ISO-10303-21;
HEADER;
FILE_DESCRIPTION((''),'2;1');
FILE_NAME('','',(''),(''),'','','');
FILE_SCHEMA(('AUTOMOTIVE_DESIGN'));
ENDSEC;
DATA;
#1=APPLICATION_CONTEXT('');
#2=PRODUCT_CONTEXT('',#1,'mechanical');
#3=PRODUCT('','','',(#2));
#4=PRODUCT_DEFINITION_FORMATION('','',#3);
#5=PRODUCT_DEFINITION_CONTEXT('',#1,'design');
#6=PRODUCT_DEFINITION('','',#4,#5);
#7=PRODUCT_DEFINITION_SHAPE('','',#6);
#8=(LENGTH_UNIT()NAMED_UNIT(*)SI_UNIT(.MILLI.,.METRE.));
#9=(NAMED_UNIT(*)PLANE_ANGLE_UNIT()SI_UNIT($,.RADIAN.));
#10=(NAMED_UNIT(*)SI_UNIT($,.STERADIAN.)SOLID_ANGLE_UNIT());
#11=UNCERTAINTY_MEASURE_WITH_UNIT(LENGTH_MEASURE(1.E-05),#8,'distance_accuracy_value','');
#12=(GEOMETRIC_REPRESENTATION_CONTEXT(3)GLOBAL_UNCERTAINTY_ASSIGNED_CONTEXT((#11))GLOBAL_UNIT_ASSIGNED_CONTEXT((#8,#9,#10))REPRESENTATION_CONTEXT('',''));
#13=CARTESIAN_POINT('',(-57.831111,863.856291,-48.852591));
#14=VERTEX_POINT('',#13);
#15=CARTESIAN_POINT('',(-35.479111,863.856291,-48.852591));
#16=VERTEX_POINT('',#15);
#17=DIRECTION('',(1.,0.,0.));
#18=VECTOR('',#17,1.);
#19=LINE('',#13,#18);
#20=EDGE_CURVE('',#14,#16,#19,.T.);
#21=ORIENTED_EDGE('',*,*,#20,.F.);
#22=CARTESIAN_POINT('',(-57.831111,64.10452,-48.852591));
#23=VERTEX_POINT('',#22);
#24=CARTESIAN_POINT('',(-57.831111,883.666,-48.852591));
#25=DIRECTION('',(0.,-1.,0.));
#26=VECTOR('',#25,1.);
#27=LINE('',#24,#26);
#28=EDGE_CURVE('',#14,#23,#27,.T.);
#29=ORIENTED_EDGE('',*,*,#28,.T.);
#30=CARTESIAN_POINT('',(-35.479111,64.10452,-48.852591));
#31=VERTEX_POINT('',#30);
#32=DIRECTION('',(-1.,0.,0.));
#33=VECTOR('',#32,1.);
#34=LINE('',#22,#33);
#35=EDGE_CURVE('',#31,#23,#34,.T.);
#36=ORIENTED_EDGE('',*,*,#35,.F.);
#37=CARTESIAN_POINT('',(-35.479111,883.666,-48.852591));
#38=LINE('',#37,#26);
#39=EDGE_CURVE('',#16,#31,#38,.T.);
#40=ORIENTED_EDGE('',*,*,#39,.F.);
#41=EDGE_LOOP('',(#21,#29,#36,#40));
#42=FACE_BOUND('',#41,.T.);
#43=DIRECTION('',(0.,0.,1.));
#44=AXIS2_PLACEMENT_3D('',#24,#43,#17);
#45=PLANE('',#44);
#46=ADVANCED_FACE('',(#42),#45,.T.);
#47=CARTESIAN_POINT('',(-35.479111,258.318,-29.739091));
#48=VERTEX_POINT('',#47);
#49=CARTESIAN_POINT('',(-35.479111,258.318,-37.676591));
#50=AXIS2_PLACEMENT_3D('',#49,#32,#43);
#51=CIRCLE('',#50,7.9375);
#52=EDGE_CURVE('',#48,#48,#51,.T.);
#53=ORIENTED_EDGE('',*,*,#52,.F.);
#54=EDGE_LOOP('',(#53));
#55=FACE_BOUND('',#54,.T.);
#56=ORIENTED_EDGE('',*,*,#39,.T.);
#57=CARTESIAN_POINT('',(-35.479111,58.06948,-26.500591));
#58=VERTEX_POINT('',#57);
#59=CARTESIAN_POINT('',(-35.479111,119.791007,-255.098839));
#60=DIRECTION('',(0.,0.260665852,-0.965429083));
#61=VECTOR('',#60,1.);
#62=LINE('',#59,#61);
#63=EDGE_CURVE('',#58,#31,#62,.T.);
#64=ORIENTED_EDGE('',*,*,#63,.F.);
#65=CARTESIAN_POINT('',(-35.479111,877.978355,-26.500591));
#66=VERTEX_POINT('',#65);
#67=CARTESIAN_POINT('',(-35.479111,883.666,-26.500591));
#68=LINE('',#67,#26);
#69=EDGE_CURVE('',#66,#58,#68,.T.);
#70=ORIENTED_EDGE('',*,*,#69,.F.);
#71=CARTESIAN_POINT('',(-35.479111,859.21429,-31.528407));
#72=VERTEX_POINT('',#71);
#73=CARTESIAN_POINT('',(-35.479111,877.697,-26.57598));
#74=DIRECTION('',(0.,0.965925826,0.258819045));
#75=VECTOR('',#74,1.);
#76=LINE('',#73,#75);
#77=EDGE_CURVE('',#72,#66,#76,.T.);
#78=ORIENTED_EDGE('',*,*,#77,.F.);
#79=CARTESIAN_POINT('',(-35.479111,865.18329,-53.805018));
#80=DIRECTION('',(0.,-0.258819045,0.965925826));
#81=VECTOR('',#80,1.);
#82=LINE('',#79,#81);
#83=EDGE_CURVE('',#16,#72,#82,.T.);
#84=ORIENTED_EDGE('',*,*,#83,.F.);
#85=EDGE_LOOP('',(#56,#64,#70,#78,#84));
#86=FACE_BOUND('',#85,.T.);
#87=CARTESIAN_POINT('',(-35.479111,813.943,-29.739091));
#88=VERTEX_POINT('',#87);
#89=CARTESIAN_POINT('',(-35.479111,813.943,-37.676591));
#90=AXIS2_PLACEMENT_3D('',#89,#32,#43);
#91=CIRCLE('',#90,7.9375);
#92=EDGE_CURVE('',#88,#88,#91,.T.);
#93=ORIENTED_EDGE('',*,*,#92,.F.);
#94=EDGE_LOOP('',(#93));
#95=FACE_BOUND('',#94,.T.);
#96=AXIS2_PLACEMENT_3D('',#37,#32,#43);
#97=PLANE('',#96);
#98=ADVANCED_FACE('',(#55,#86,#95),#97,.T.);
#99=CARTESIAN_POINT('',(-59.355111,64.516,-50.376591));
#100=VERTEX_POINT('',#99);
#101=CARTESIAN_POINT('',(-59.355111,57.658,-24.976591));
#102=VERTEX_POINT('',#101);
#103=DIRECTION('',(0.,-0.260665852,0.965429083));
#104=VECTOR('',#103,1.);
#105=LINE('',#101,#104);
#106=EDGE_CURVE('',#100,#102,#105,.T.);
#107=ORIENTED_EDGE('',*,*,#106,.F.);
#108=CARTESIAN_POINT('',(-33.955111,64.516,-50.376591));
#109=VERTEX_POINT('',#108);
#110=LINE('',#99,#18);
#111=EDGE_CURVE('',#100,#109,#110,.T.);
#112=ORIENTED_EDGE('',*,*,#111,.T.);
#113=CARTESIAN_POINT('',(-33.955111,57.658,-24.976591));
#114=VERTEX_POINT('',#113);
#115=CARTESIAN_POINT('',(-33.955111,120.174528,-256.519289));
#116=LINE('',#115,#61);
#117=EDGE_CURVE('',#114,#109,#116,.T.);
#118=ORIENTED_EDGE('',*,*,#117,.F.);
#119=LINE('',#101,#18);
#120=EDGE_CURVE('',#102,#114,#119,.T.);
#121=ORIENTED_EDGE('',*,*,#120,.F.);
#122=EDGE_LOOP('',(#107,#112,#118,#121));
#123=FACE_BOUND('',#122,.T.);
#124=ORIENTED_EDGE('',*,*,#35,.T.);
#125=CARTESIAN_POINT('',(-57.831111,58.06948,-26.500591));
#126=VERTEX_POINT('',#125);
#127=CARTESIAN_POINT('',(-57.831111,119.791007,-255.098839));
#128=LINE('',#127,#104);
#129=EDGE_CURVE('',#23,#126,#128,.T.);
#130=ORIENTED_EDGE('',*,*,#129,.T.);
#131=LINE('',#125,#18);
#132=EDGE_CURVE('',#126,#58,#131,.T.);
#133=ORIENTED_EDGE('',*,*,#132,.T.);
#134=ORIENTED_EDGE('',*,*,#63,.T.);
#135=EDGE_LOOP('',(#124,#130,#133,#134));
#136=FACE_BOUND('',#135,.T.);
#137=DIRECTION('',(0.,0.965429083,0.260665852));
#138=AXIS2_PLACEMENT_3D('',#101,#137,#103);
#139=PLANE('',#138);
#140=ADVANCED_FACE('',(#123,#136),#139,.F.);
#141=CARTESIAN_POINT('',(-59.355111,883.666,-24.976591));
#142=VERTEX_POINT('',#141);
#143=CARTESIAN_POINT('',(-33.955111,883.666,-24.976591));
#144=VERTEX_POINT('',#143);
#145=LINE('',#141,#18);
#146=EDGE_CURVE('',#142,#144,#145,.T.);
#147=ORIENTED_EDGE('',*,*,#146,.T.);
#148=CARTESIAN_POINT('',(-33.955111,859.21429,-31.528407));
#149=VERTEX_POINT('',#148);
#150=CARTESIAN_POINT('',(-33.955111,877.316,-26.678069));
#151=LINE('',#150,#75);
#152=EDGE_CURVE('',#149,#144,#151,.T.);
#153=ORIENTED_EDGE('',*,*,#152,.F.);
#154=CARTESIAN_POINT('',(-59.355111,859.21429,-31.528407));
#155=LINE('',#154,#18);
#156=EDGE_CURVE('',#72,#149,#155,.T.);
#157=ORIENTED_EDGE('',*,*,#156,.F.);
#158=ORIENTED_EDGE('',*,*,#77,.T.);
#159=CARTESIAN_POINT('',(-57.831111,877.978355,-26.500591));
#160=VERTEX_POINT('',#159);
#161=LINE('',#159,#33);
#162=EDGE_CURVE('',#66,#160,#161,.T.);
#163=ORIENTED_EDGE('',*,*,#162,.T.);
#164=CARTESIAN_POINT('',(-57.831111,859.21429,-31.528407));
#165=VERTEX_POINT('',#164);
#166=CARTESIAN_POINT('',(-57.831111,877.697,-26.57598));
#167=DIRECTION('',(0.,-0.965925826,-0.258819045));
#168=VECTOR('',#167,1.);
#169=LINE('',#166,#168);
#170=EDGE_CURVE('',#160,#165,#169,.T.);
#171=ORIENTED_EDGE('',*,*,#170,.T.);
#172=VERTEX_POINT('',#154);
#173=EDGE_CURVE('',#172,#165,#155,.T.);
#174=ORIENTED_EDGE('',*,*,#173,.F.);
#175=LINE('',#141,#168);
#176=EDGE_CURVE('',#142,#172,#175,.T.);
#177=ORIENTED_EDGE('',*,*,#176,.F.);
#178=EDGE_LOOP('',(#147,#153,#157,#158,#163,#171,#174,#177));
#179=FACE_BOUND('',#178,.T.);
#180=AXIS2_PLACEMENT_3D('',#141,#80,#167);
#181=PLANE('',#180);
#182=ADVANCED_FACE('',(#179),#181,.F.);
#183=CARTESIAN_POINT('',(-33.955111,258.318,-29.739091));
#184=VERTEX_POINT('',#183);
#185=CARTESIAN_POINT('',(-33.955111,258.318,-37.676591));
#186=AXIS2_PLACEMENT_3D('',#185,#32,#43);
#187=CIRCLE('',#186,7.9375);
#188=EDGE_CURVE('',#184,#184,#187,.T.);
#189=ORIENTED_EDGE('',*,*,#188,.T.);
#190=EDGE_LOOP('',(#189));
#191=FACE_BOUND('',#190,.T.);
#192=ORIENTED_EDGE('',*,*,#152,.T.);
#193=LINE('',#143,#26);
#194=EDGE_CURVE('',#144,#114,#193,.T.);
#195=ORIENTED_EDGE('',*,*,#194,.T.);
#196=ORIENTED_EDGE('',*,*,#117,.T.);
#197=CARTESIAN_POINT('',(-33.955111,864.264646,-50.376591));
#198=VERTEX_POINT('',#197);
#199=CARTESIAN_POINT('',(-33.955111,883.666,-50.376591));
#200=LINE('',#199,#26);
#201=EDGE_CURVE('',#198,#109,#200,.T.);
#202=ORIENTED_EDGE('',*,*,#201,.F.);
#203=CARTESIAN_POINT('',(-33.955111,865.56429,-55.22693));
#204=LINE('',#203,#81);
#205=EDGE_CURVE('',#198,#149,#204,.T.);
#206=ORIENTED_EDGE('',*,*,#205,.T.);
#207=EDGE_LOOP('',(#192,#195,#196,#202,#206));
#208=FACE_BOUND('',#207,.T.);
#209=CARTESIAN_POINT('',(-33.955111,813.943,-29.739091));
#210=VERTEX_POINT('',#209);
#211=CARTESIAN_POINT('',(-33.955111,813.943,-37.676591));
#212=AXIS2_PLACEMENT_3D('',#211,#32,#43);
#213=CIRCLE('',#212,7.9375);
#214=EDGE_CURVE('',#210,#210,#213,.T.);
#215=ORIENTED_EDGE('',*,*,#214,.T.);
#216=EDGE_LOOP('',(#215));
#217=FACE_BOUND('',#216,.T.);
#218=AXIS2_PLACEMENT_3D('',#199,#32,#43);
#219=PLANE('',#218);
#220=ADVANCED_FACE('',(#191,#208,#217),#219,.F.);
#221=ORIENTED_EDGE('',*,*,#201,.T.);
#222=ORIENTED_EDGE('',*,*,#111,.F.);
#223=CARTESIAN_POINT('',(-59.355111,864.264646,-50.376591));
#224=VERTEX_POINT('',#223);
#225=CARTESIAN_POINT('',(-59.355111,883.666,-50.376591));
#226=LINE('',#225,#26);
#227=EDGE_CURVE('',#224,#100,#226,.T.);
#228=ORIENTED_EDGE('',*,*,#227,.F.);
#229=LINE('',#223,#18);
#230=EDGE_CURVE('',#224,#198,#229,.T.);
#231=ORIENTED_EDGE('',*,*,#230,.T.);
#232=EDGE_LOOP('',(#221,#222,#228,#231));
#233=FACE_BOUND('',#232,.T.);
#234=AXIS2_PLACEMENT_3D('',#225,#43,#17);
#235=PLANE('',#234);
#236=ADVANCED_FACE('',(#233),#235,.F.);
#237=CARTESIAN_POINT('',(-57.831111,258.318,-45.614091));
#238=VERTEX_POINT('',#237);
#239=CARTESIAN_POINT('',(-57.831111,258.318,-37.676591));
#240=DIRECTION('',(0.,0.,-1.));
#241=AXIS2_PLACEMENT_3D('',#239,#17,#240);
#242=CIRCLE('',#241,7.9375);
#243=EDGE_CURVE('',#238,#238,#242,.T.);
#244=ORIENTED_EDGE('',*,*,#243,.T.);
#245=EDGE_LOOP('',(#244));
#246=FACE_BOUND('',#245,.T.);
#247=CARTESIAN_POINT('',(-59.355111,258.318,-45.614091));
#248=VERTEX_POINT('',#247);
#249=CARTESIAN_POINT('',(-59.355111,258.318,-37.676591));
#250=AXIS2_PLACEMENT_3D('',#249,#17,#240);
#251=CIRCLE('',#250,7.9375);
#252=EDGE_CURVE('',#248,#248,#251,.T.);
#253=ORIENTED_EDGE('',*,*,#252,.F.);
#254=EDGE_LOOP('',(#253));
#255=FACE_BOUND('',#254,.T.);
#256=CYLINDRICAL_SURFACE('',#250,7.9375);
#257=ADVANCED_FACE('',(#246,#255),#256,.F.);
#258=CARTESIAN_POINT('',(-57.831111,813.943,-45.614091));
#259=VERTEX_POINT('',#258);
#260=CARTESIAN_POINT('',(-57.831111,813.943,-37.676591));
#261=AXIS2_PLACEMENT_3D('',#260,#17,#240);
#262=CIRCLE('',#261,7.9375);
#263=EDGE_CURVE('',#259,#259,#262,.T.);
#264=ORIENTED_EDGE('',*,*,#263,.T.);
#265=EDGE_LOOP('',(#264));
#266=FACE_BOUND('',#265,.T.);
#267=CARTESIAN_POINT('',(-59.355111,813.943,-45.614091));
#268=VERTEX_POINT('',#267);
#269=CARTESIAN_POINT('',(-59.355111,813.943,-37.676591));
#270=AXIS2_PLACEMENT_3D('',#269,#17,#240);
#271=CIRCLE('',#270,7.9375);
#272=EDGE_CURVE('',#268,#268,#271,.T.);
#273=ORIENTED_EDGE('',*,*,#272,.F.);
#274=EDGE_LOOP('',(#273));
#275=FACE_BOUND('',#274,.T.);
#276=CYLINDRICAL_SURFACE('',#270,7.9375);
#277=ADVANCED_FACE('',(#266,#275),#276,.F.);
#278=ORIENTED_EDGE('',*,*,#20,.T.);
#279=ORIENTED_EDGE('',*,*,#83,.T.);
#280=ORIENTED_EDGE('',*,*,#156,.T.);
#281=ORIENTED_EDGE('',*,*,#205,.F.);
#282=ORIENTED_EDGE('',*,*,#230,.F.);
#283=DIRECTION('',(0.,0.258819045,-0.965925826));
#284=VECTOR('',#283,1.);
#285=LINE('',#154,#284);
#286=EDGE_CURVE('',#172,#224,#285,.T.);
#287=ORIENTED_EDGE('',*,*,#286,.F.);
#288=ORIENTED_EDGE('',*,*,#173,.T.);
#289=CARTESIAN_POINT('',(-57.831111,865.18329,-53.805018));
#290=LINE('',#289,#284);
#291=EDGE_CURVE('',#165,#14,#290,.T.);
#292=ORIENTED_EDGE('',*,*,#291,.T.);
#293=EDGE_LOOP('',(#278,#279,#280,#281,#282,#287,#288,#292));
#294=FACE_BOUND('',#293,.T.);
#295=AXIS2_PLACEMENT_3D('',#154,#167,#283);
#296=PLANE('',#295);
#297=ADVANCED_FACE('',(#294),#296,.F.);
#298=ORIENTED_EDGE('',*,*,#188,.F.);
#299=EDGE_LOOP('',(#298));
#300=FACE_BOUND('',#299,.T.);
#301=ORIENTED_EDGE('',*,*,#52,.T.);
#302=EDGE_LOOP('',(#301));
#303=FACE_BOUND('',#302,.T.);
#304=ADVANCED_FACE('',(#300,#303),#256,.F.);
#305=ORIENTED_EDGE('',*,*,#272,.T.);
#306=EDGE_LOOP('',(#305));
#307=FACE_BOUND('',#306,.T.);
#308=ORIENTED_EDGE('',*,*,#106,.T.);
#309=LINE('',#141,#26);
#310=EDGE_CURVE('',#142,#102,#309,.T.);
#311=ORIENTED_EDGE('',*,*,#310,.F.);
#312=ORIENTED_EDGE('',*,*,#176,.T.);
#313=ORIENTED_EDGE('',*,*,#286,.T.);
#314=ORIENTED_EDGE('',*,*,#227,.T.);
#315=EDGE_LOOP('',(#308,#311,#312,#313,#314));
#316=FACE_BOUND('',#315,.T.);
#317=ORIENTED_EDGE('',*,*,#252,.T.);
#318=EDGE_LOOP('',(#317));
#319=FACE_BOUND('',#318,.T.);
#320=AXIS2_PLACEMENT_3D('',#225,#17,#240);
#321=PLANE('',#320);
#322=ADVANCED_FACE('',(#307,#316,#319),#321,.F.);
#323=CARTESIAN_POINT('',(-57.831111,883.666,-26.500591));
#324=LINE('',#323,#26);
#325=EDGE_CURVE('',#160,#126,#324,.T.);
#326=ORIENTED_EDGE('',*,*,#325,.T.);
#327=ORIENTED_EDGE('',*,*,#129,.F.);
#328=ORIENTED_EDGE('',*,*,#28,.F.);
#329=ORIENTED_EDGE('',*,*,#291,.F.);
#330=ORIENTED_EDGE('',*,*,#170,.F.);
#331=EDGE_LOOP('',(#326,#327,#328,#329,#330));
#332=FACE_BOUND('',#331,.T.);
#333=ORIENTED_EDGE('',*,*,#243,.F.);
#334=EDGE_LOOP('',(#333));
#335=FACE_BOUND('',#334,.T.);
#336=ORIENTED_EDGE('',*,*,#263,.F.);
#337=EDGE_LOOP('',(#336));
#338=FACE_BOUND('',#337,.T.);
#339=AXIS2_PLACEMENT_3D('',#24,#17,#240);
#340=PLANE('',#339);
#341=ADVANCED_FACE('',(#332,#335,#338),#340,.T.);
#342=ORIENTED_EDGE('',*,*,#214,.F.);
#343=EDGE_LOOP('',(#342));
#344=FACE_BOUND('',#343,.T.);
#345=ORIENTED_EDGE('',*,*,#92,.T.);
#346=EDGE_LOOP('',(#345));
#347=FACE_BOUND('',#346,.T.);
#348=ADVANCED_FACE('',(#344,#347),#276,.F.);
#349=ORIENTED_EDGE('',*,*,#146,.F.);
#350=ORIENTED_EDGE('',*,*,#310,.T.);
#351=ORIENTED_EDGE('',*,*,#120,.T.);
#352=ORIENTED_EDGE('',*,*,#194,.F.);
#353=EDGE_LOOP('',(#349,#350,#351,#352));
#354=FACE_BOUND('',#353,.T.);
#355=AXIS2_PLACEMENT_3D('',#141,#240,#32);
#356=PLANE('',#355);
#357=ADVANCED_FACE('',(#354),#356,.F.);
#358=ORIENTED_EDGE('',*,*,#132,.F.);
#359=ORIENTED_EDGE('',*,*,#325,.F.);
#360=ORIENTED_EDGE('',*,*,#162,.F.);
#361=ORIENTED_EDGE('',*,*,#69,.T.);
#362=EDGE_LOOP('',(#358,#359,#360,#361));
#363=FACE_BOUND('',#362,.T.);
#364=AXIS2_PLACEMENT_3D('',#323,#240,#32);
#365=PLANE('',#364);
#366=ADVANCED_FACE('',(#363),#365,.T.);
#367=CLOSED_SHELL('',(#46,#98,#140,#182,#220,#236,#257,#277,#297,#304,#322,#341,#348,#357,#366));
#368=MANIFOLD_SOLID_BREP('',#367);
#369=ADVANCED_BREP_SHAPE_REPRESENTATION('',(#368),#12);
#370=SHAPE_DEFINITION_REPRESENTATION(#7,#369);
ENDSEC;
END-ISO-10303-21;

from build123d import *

# Parameters (mm, degrees)
SKETCH1_W               = 25.4
SKETCH1_H               = 25.4
SKETCH1_W_2             = 22.352
SKETCH1_H_2             = 22.352
BOSS_EXTRUDE1_DEPTH     = 883.666
SKETCH5_R               = 7.9375
CUT_EXTRUDE3_DEPTH      = 1
CUT_EXTRUDE3_DEPTH_BACK = 26.4
SKETCH6_R               = 7.9375
CUT_EXTRUDE4_DEPTH      = 1
CUT_EXTRUDE4_DEPTH_BACK = 26.4
CUT_EXTRUDE5_DEPTH      = 1
CUT_EXTRUDE5_DEPTH_BACK = 26.4
CUT_EXTRUDE6_DEPTH      = 1
CUT_EXTRUDE6_DEPTH_BACK = 26.4


with BuildPart() as part:
    # Sketch1 → Boss-Extrude1 (new body)
    with BuildSketch(Plane(origin=(0, 0, 0), x_dir=(1, 0, 0), z_dir=(0, 1, 0))):
        with Locations((-46.655111286, 37.676591231)):
            Rectangle(SKETCH1_W, SKETCH1_H)
        with Locations((-46.655111286, 37.676591231)):
            Rectangle(SKETCH1_W_2, SKETCH1_H_2, mode=Mode.SUBTRACT)
    extrude(amount=BOSS_EXTRUDE1_DEPTH)

    # Sketch5 → Cut-Extrude3 (cut, two sides)
    with BuildSketch(Plane(origin=(-33.955111286, 0, 0), x_dir=(0, 0, -1), z_dir=(1, 0, 0))) as cut_extrude3_sk:
        with Locations((37.676591231, 258.318)):
            Circle(SKETCH5_R)
    extrude(amount=CUT_EXTRUDE3_DEPTH, mode=Mode.SUBTRACT)
    extrude(cut_extrude3_sk.sketch, amount=-CUT_EXTRUDE3_DEPTH_BACK, mode=Mode.SUBTRACT)

    # Sketch6 → Cut-Extrude4 (cut, two sides)
    with BuildSketch(Plane(origin=(-33.955111286, 0, 0), x_dir=(0, 0, -1), z_dir=(1, 0, 0))) as cut_extrude4_sk:
        with Locations((37.676591231, 813.943)):
            Circle(SKETCH6_R)
    extrude(amount=CUT_EXTRUDE4_DEPTH, mode=Mode.SUBTRACT)
    extrude(cut_extrude4_sk.sketch, amount=-CUT_EXTRUDE4_DEPTH_BACK, mode=Mode.SUBTRACT)

    # Sketch7 → Cut-Extrude5 (cut, two sides)
    with BuildSketch(Plane(origin=(-33.955111286, 0, 0), x_dir=(0, 0, -1), z_dir=(1, 0, 0))) as cut_extrude5_sk:
        Polygon((24.976591231, 883.666), (31.52840716, 859.214290072), (50.376591231, 864.264645773), (50.376591231, 883.666), align=None)
    extrude(amount=CUT_EXTRUDE5_DEPTH, mode=Mode.SUBTRACT)
    extrude(cut_extrude5_sk.sketch, amount=-CUT_EXTRUDE5_DEPTH_BACK, mode=Mode.SUBTRACT)

    # Sketch8 → Cut-Extrude6 (cut, two sides)
    with BuildSketch(Plane(origin=(-33.955111286, 0, 0), x_dir=(0, 0, -1), z_dir=(1, 0, 0))) as cut_extrude6_sk:
        Polygon((24.976591231, 57.658), (24.976591231, 0), (50.376591231, 0), (50.376591231, 64.516), align=None)
    extrude(amount=CUT_EXTRUDE6_DEPTH, mode=Mode.SUBTRACT)
    extrude(cut_extrude6_sk.sketch, amount=-CUT_EXTRUDE6_DEPTH_BACK, mode=Mode.SUBTRACT)


solid = part.part
